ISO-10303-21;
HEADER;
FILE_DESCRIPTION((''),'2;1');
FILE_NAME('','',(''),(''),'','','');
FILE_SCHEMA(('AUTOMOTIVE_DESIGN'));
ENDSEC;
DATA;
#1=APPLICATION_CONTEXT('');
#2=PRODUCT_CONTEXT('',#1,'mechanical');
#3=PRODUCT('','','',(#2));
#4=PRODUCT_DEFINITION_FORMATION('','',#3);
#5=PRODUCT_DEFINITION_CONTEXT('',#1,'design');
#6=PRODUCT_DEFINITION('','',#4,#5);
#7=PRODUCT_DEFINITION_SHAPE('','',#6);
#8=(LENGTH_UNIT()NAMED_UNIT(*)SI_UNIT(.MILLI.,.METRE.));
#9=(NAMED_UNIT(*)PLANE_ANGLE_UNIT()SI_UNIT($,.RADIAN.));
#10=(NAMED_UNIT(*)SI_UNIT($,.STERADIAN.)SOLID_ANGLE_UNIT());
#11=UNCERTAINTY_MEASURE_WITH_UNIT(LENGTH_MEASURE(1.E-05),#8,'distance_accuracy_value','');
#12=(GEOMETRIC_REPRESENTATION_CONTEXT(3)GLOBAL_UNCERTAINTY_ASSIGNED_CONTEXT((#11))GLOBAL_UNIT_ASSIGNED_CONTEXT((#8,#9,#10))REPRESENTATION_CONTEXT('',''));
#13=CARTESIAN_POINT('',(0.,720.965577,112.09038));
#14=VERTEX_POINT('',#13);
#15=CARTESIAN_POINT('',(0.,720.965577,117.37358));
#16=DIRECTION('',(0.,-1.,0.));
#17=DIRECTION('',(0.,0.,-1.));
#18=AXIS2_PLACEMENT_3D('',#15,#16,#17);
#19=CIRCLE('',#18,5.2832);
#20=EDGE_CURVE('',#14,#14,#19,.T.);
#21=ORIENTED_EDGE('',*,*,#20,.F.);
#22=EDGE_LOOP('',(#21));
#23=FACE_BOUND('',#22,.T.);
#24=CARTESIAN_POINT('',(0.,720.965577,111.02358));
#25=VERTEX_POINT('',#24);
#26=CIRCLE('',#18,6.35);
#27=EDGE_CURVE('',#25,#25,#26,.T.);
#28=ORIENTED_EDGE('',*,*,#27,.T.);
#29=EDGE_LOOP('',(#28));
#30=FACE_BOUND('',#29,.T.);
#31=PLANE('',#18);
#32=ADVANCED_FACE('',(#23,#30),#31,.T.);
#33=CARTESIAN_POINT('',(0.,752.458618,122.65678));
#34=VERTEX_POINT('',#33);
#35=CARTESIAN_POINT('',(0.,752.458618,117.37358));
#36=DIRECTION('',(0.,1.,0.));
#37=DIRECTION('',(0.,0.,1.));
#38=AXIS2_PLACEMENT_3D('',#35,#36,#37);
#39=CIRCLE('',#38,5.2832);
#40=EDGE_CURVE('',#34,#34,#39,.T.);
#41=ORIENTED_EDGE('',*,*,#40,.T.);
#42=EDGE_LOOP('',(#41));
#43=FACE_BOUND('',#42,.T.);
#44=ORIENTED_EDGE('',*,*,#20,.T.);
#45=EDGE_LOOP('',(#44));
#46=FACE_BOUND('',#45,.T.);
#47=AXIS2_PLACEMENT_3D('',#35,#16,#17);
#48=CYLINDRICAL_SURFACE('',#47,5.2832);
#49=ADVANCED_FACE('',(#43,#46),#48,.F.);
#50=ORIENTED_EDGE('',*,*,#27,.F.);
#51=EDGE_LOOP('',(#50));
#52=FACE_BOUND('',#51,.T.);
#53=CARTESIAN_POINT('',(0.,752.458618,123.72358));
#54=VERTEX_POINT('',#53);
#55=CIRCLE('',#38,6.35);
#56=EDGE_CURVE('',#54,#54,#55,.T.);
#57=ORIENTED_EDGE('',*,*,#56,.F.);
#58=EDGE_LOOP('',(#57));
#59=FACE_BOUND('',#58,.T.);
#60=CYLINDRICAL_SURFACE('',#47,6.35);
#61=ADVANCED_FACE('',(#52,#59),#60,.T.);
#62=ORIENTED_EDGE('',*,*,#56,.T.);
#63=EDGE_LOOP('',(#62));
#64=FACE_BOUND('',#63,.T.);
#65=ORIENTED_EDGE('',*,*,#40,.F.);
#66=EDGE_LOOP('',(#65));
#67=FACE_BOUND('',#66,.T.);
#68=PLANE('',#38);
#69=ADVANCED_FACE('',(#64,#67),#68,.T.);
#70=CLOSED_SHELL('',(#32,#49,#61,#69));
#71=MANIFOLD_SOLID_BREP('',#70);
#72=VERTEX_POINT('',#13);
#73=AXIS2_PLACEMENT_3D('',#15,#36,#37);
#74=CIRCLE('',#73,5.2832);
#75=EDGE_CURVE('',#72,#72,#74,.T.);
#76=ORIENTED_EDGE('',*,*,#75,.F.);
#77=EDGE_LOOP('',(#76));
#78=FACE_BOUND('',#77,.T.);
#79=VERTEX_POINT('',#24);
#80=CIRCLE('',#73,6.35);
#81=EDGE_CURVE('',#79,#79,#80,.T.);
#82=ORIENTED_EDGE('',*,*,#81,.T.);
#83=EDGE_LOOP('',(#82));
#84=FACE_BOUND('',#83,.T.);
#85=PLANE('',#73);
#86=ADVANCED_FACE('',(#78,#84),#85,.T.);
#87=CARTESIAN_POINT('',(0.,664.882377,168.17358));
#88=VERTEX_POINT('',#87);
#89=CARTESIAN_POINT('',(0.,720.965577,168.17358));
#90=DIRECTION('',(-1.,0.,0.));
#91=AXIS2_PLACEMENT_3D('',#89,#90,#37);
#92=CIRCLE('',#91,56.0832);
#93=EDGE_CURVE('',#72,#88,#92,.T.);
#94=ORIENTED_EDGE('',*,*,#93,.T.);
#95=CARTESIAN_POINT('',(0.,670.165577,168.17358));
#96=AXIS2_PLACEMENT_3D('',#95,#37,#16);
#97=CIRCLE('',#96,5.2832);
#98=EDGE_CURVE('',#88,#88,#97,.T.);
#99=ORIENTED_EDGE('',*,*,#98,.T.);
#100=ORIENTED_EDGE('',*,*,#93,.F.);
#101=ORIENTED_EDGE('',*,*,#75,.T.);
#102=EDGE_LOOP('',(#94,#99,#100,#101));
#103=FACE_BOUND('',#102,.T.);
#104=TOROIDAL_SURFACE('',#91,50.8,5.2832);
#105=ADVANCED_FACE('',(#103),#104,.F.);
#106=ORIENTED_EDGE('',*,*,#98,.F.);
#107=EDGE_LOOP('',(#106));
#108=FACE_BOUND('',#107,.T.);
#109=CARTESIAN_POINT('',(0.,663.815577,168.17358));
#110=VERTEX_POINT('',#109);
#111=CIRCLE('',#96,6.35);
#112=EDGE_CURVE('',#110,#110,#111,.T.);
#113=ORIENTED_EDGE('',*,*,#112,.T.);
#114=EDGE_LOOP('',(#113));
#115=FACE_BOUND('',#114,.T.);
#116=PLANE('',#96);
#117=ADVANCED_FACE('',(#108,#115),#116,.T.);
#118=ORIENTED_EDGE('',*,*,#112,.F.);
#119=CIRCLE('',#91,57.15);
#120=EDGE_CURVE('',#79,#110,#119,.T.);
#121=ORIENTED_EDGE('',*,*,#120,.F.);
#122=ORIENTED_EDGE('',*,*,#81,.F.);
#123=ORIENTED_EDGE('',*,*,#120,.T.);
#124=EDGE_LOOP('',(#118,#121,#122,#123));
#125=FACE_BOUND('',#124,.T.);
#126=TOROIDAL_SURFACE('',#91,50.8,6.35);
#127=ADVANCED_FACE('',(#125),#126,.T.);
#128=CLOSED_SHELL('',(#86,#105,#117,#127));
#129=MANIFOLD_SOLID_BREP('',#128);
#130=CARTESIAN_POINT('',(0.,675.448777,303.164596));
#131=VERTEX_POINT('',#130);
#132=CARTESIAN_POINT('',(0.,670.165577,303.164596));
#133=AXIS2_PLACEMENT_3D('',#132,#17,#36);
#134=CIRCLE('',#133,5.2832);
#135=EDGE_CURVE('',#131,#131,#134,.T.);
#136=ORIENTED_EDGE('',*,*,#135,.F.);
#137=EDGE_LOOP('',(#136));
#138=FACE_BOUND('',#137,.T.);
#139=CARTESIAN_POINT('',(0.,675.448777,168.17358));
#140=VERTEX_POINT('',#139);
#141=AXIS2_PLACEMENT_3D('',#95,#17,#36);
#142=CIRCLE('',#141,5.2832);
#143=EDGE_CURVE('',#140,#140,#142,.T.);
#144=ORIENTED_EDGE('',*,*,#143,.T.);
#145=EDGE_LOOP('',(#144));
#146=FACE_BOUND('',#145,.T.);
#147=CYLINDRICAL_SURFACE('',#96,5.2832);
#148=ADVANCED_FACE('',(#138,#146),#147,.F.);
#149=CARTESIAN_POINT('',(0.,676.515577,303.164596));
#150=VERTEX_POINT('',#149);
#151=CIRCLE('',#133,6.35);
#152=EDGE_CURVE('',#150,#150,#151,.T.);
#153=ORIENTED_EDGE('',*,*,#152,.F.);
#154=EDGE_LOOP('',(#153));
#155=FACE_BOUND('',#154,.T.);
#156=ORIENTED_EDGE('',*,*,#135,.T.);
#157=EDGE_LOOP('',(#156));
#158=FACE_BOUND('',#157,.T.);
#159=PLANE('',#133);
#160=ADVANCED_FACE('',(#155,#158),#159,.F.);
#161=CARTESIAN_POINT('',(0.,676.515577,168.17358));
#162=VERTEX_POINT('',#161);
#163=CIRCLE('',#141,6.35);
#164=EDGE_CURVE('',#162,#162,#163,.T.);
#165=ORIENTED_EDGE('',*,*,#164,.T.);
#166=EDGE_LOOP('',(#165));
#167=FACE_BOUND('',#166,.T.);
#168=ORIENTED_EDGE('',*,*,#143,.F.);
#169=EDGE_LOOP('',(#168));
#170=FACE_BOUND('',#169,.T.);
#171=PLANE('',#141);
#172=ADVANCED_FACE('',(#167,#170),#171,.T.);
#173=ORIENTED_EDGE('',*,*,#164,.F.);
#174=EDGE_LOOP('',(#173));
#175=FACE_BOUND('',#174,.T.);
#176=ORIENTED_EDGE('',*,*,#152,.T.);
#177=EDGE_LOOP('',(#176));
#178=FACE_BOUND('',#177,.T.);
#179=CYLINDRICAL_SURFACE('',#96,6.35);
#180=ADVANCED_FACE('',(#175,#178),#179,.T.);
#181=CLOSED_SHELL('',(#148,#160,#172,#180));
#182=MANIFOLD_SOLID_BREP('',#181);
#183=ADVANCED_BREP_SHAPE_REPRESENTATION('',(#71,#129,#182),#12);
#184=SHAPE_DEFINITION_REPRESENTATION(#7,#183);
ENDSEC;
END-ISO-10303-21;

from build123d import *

# Parameters (mm, degrees)
SKETCH11_R                = 6.35
SKETCH11_R_2              = 5.2832
PIPE_0_5_SCH_40_1_DEPTH   = 134.99101558
SKETCH11_ON_SEGMENT_2_R   = 6.35
SKETCH11_ON_SEGMENT_2_R_2 = 5.2832
PIPE_0_5_SCH_40_1_2_ANGLE = 90
SKETCH11_ON_SEGMENT_3_R   = 6.35
SKETCH11_ON_SEGMENT_3_R_2 = 5.2832
PIPE_0_5_SCH_40_1_3_DEPTH = 31.49304163


with BuildPart() as part:
    # Sketch11 → Pipe 0.5 SCH 40(1) (new body)
    with BuildSketch(Plane(origin=(0, 670.165576631, 303.164595711), x_dir=(0, 1, 0), z_dir=(0, 0, -1))):
        Circle(SKETCH11_R)
        Circle(SKETCH11_R_2, mode=Mode.SUBTRACT)
    extrude(amount=PIPE_0_5_SCH_40_1_DEPTH)


with BuildPart() as body_2:
    # Sketch11 on segment 2 (carried to the start of arc 2) → Pipe 0.5 SCH 40_1 2 (revolve)
    with BuildSketch(Plane(origin=(0, 670.165576631, 168.173580131), x_dir=(0, 1, 0), z_dir=(0, 0, -1))):
        Circle(SKETCH11_ON_SEGMENT_2_R)
        Circle(SKETCH11_ON_SEGMENT_2_R_2, mode=Mode.SUBTRACT)
    revolve(axis=Axis((0, 720.965576631, 168.173580131), (1, 0, 0)), revolution_arc=PIPE_0_5_SCH_40_1_2_ANGLE)


with BuildPart() as body_3:
    # Sketch11 on segment 3 (carried to segment 3) → Pipe 0.5 SCH 40_1 3 (new body)
    with BuildSketch(Plane(origin=(0, 720.965576631, 117.373580131), x_dir=(0, 0, 1), z_dir=(0, 1, 0))):
        Circle(SKETCH11_ON_SEGMENT_3_R)
        Circle(SKETCH11_ON_SEGMENT_3_R_2, mode=Mode.SUBTRACT)
    extrude(amount=PIPE_0_5_SCH_40_1_3_DEPTH)


solid = Compound([part.part, body_2.part, body_3.part])
